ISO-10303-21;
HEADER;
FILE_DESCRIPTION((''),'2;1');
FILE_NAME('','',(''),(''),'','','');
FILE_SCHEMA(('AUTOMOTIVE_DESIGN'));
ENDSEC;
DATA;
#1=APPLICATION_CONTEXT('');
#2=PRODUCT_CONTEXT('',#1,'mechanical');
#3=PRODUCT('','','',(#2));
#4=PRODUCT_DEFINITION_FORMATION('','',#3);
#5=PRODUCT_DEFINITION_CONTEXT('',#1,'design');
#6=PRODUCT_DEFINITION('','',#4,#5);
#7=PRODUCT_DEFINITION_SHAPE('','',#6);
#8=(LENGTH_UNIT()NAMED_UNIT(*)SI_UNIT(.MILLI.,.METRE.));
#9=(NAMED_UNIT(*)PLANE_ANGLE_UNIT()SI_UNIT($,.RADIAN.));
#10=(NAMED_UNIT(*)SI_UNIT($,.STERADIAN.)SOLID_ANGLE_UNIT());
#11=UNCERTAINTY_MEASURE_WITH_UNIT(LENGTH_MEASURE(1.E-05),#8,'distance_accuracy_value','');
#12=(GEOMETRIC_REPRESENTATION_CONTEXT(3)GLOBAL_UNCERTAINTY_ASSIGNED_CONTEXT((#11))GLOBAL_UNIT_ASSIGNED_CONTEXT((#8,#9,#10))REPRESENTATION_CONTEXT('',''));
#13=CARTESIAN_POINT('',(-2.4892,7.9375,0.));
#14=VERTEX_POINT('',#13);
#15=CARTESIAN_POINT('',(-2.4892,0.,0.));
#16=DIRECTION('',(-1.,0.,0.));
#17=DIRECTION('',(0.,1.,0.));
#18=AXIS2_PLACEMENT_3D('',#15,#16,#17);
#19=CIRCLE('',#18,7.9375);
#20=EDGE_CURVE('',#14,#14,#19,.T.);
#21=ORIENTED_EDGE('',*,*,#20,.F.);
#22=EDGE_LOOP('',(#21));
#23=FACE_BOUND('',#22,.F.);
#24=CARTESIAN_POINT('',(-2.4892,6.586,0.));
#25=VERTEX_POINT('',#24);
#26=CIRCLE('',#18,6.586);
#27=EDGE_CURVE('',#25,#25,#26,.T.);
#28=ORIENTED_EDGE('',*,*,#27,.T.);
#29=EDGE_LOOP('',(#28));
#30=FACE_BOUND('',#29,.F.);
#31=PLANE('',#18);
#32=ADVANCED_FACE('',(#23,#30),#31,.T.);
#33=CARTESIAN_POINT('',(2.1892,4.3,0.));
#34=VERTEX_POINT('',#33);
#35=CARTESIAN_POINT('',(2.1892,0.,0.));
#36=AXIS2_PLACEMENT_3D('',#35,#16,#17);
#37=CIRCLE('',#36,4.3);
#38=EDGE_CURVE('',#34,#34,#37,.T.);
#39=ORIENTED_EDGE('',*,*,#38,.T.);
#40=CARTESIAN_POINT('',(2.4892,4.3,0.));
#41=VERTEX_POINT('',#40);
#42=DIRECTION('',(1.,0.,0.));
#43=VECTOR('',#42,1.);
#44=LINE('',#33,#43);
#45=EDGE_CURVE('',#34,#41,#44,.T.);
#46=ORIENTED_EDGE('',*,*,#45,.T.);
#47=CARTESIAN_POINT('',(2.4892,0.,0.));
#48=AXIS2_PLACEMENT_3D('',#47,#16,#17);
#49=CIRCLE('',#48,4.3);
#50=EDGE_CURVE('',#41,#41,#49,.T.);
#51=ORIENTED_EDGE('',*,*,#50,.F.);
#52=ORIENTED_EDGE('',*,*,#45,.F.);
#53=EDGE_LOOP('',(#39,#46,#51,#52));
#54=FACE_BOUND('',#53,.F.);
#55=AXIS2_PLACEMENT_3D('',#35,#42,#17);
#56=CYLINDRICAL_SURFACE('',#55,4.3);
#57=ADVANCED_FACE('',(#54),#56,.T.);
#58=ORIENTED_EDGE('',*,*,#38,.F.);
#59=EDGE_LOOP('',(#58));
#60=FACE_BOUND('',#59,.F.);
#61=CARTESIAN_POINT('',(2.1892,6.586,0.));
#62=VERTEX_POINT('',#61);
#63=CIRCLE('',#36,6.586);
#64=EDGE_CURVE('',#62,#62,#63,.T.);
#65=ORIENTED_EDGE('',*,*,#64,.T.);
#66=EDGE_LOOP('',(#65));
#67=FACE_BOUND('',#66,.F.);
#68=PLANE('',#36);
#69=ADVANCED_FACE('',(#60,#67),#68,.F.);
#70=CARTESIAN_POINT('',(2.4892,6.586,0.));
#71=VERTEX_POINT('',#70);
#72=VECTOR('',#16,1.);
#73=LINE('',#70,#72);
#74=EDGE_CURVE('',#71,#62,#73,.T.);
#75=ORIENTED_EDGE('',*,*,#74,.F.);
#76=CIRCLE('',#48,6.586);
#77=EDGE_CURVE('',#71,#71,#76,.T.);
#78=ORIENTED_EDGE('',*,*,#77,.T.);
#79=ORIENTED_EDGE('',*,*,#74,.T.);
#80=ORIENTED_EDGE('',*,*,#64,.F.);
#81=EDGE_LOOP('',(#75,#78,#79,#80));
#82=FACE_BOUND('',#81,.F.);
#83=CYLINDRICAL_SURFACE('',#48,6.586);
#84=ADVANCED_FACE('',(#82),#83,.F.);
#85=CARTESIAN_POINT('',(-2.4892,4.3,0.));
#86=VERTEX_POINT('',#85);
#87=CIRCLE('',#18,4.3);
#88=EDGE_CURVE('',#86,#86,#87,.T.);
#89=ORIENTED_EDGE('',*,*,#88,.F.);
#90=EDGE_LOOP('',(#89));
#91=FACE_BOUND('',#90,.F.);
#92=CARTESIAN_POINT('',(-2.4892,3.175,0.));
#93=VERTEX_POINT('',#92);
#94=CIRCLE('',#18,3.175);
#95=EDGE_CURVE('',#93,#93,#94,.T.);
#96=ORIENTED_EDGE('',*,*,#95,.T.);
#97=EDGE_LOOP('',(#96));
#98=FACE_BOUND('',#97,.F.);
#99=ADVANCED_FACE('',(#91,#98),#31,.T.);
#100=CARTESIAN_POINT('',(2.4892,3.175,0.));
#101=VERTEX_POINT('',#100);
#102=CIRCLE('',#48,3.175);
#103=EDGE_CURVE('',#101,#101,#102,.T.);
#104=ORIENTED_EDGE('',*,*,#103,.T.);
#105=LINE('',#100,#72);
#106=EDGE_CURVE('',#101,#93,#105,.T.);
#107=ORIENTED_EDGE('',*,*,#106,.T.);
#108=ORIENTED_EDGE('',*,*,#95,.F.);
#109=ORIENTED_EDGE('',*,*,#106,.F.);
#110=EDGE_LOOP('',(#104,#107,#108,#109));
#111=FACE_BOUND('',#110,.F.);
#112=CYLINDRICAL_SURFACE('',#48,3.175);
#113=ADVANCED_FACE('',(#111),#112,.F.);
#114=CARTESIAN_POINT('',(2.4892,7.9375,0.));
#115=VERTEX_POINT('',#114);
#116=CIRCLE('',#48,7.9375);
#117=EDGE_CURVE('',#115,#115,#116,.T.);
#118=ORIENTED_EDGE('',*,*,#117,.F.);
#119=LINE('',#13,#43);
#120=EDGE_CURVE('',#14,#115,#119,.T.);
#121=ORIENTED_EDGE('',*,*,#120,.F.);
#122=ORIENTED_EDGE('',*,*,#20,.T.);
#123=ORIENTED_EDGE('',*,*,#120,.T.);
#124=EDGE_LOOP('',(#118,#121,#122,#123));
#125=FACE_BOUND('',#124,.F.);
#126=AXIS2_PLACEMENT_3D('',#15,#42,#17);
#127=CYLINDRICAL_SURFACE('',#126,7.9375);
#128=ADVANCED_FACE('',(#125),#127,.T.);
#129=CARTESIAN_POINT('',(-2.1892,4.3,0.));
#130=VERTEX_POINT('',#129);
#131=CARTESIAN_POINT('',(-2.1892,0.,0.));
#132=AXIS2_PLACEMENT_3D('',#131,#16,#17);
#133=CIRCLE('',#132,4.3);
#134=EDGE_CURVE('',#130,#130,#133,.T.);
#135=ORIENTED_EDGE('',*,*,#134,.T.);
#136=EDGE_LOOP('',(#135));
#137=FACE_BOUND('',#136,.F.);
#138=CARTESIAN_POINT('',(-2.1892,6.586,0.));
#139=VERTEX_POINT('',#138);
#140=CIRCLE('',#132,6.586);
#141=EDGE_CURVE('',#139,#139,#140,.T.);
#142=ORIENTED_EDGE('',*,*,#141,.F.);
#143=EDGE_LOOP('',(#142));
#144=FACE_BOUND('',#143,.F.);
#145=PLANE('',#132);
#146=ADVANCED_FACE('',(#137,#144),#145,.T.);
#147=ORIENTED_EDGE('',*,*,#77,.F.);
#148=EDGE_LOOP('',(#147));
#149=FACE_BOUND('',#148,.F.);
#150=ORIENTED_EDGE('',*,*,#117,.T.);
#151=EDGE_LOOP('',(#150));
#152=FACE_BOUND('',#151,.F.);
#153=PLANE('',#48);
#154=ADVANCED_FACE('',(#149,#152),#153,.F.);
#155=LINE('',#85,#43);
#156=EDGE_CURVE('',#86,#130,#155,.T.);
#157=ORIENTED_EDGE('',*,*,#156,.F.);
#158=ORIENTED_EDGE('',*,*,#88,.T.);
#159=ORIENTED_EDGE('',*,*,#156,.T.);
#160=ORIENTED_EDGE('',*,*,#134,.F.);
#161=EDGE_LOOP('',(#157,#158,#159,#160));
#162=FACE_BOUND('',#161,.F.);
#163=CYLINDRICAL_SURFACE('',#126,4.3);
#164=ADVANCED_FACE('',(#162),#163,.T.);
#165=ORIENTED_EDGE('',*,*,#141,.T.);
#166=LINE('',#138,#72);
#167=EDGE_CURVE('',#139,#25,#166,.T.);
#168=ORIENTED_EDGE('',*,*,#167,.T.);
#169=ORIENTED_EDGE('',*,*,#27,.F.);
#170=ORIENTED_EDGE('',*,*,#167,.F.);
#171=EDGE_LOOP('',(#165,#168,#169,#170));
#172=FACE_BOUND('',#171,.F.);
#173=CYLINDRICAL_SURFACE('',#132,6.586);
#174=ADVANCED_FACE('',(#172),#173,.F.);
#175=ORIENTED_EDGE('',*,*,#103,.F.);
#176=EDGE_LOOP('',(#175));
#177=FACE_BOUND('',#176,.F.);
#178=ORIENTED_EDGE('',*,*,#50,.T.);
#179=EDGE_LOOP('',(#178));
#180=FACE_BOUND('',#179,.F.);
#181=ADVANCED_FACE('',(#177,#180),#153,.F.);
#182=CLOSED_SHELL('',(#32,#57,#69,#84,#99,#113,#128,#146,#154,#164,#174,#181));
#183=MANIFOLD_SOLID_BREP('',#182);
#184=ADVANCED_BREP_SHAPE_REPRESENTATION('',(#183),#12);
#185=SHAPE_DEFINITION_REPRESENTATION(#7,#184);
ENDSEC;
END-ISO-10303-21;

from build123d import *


with BuildPart() as part:
    # Sketch1 → Revolve1 (revolve)
    with BuildSketch(Plane.XY):
        Polygon((2.4892, 3.175), (-2.4892, 3.175), (-2.4892, 4.3), (-2.1892, 4.3), (-2.1892, 6.586), (-2.4892, 6.586), (-2.4892, 7.9375), (2.4892, 7.9375), (2.4892, 6.586), (2.1892, 6.586), (2.1892, 4.3), (2.4892, 4.3), align=None)
    revolve(axis=Axis((0, 0, 0), (-1, 0, 0)))


solid = part.part
